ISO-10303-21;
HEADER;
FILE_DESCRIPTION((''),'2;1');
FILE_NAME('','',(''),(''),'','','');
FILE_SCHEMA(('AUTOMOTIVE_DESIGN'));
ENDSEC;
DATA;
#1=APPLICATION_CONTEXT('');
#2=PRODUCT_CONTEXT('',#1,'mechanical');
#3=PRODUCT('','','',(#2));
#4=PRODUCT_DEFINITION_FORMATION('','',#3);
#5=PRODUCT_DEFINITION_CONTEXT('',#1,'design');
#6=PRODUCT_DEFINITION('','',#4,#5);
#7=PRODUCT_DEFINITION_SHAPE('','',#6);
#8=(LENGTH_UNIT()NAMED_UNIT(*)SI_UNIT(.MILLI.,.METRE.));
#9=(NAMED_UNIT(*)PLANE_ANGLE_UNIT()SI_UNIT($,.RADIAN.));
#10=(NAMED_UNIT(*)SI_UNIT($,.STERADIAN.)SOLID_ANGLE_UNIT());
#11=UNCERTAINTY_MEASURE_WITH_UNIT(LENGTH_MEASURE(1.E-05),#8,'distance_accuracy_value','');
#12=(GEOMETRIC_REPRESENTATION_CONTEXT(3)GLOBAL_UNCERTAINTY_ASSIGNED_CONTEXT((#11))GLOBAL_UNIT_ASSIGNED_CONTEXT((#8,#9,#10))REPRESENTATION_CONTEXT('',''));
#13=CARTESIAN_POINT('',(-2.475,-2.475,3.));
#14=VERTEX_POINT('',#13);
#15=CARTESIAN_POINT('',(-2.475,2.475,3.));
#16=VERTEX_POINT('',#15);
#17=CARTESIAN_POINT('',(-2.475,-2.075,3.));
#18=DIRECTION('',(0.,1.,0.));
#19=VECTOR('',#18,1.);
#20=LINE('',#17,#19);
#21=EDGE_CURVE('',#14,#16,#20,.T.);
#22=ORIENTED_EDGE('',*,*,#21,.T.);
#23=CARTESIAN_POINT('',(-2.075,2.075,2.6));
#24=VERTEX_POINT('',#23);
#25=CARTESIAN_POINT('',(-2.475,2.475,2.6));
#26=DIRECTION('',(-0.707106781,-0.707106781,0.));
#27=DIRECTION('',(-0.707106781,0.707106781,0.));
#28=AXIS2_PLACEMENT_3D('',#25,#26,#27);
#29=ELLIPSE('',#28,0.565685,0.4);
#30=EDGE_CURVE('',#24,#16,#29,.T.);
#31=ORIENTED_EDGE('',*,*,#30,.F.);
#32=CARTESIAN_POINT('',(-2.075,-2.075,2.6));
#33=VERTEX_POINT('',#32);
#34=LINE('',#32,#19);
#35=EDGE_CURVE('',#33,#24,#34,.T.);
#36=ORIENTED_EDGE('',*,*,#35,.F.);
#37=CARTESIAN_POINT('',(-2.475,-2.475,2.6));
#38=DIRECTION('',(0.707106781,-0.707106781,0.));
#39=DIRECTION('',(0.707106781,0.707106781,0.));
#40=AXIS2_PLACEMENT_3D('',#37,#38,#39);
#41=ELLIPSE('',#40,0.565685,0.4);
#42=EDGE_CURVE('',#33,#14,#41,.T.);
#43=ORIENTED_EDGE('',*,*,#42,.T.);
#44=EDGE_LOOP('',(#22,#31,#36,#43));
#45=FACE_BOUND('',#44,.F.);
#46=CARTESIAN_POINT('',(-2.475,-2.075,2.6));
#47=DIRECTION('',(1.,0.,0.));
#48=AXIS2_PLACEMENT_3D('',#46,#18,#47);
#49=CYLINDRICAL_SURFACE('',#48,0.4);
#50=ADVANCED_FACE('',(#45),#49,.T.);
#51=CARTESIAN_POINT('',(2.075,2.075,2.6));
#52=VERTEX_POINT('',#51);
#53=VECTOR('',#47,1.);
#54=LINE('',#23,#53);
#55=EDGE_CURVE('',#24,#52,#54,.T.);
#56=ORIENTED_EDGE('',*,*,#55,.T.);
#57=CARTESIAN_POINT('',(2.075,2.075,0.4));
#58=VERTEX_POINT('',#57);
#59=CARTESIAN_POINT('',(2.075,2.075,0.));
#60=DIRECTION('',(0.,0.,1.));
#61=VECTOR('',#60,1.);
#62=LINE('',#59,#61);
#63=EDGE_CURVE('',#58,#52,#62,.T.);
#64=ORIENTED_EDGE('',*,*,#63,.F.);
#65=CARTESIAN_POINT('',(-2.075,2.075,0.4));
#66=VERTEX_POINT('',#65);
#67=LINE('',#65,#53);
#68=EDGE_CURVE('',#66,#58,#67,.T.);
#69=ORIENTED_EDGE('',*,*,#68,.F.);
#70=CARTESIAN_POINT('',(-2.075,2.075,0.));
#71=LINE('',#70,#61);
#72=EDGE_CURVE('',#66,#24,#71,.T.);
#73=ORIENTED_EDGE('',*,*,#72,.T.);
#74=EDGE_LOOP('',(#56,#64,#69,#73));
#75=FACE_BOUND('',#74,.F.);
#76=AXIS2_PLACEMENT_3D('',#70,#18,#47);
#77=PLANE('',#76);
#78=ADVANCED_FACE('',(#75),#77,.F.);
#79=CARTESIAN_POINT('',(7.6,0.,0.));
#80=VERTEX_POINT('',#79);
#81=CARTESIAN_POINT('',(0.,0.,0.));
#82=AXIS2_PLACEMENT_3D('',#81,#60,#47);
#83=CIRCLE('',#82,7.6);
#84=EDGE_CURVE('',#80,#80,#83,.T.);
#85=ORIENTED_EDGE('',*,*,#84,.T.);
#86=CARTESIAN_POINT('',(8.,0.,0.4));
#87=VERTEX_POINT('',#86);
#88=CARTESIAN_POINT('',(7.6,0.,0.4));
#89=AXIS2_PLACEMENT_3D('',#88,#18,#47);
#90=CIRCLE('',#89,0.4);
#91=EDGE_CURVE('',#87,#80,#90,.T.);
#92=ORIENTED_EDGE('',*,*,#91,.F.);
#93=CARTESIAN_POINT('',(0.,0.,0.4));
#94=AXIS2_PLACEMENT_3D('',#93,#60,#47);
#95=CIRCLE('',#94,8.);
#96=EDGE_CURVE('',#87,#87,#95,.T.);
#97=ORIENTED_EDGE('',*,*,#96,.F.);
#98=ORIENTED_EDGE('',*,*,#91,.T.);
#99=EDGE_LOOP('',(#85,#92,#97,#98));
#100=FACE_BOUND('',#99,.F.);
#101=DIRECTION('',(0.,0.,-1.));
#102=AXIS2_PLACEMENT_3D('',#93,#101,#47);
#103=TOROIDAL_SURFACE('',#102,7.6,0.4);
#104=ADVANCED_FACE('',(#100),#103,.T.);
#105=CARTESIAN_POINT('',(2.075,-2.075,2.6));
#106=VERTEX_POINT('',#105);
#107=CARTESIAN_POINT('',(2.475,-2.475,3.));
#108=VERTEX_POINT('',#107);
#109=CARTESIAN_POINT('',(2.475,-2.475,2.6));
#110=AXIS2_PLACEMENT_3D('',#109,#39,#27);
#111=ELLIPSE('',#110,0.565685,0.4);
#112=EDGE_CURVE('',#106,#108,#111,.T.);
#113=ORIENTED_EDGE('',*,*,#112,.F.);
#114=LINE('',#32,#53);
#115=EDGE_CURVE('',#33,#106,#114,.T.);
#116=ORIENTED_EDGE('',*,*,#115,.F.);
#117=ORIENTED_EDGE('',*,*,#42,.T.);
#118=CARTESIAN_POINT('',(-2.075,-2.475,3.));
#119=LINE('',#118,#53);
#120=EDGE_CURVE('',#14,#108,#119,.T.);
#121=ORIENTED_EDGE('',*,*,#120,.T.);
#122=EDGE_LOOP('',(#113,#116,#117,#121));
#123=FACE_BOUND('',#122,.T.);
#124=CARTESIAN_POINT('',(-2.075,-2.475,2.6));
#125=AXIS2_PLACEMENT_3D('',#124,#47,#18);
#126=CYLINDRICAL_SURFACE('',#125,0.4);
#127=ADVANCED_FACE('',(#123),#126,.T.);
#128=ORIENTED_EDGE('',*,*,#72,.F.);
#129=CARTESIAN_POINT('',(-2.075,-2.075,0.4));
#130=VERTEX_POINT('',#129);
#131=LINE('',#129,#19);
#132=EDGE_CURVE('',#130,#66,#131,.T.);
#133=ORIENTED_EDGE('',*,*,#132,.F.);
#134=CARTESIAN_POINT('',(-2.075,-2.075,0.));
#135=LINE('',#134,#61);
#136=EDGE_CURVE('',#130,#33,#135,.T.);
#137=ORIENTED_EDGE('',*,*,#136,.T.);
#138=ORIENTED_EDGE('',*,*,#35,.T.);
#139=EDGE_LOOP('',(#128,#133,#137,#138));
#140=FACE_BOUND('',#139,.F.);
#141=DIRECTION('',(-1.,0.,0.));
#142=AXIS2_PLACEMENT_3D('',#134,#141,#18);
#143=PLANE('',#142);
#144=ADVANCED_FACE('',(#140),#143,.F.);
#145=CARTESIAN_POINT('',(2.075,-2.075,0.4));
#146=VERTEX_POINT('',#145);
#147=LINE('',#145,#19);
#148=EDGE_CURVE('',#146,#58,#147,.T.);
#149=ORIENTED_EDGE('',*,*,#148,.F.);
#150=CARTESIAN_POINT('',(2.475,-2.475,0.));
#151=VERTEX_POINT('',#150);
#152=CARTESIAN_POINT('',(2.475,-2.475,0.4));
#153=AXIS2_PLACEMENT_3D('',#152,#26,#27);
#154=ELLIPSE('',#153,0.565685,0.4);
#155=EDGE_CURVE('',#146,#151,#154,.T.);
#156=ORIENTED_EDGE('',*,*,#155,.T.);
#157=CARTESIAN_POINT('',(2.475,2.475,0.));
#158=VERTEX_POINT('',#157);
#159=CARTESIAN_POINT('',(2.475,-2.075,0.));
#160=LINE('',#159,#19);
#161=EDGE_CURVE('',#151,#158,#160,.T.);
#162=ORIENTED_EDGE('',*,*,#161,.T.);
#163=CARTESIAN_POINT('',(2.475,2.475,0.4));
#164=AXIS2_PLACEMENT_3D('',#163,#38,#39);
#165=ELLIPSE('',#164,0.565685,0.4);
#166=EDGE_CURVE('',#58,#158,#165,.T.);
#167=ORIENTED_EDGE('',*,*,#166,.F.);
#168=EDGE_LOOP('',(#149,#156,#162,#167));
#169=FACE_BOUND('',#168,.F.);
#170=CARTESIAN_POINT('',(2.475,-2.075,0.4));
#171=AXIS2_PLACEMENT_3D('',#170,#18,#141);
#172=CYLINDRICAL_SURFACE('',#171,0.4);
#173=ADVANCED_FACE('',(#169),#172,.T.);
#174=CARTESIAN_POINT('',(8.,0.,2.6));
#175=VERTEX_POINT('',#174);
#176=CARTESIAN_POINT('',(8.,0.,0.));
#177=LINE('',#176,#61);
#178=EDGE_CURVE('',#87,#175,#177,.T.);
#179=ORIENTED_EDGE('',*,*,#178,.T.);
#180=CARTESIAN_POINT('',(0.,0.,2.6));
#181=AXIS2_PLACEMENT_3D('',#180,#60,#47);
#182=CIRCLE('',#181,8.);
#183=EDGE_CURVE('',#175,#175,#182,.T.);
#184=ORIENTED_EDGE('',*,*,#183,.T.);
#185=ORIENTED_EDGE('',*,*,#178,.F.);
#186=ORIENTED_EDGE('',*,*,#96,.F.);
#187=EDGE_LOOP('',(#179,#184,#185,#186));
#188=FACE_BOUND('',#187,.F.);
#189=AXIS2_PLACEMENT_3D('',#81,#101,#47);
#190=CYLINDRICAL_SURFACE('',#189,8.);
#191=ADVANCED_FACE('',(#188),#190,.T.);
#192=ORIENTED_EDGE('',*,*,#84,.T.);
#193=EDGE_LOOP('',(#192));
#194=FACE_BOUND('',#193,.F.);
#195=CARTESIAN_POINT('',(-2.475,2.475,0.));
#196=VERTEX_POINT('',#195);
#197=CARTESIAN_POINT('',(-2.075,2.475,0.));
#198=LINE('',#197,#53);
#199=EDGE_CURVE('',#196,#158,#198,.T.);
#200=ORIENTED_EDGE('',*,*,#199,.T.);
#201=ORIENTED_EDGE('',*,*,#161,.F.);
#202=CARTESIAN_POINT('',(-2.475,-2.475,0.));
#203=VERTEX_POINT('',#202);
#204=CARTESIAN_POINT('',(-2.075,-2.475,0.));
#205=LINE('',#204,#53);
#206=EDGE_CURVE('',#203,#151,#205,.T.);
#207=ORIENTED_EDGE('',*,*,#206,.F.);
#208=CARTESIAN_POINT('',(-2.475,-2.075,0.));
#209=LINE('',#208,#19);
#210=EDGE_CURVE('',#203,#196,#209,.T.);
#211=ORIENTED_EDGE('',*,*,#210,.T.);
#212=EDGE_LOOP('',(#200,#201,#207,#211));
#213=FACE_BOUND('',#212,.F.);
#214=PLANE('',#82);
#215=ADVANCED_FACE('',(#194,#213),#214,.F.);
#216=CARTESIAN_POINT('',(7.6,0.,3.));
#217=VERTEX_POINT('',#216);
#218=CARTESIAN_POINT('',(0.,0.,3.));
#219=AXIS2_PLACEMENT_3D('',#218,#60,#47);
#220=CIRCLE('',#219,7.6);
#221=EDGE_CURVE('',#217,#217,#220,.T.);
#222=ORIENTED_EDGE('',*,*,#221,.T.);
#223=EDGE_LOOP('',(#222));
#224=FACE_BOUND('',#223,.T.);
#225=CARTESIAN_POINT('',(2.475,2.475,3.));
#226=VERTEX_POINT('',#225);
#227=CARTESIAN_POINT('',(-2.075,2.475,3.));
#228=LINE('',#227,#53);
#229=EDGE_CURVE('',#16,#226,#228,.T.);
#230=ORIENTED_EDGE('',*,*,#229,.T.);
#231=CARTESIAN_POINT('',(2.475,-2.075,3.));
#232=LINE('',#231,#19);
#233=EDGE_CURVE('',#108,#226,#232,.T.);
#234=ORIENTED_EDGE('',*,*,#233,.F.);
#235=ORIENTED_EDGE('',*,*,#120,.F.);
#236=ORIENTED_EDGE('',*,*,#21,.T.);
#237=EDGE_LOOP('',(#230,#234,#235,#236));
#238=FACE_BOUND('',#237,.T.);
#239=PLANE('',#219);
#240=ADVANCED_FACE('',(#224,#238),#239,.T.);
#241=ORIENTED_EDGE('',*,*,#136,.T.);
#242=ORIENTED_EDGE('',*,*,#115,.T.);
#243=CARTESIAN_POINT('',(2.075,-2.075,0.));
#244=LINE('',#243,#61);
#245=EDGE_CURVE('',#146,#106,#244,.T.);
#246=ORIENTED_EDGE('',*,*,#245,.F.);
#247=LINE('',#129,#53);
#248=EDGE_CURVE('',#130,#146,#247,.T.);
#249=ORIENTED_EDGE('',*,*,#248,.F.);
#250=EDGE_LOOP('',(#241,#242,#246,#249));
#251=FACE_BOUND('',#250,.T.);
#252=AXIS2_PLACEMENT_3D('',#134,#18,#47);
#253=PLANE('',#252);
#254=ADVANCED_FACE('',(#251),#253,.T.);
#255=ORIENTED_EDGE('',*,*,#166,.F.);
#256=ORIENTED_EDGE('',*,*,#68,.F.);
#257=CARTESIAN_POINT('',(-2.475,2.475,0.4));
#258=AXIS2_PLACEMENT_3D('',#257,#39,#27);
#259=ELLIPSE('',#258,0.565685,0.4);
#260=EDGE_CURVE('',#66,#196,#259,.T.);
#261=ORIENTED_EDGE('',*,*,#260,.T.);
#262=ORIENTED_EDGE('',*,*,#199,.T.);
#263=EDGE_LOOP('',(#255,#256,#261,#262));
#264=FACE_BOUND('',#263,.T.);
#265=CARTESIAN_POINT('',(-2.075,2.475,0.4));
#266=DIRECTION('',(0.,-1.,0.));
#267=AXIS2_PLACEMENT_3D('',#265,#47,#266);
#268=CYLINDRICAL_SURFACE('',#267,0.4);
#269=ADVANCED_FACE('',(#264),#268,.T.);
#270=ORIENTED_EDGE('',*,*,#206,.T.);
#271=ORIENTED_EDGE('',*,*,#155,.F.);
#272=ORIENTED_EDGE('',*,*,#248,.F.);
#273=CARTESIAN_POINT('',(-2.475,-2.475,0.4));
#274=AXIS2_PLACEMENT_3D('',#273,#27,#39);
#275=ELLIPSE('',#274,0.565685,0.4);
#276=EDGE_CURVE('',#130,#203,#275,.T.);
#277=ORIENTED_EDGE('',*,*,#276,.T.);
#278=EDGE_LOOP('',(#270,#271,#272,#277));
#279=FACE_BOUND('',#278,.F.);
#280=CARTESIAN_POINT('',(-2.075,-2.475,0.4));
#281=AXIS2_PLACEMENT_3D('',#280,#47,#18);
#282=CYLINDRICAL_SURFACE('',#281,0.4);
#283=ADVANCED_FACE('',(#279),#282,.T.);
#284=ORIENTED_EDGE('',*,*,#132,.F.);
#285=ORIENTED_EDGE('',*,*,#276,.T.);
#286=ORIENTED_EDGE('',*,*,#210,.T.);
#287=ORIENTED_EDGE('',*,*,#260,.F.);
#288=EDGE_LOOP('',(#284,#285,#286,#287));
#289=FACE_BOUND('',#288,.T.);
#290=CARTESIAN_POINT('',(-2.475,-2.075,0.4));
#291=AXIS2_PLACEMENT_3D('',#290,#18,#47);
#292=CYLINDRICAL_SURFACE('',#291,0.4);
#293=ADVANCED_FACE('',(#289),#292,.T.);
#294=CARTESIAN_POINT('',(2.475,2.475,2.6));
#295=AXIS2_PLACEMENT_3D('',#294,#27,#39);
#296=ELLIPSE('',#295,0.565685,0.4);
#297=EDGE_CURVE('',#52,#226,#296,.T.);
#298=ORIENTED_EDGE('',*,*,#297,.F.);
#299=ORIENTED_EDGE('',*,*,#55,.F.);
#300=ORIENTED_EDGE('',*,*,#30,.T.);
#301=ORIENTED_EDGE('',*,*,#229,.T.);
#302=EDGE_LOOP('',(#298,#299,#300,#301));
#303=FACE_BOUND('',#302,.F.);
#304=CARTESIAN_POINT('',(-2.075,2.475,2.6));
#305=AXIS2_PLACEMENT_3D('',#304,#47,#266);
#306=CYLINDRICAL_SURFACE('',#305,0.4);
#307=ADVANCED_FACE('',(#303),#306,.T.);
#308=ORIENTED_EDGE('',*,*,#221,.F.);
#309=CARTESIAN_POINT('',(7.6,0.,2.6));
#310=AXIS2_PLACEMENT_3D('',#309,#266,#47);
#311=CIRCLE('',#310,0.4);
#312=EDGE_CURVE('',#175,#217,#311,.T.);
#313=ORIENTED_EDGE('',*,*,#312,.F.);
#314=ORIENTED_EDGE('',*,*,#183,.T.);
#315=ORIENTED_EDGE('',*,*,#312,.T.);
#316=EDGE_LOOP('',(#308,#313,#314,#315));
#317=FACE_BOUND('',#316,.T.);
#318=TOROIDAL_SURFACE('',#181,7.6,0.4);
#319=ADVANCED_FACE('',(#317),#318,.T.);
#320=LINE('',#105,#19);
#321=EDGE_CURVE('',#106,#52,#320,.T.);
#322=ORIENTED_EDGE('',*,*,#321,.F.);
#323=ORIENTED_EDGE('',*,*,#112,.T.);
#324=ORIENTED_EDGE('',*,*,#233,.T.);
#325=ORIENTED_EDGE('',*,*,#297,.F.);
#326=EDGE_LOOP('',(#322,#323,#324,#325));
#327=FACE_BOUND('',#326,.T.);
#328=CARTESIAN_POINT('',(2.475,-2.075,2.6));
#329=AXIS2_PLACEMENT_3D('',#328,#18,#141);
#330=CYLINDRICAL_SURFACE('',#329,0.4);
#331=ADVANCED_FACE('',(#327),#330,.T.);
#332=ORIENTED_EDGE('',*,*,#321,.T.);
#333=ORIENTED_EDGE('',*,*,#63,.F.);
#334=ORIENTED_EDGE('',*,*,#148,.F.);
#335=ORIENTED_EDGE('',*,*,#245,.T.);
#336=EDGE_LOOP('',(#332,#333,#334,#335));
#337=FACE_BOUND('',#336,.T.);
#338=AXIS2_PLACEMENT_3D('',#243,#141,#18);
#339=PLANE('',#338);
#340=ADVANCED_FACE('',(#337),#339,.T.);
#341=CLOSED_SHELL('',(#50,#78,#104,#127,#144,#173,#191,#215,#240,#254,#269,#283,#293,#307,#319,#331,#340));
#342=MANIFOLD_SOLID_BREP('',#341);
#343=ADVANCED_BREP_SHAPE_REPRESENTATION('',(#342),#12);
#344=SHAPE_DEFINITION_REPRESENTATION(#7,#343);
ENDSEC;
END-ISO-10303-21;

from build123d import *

# Parameters (mm, degrees)
F0_R     = 8
F0_W     = 4.15
F0_H     = 4.15
F1_DEPTH = 3
F2_R     = 0.4


with BuildPart() as f1:
    # F0 (on Top) → F1 (new body)
    with BuildSketch(Plane.XY):
        Circle(F0_R)
        Rectangle(F0_W, F0_H, mode=Mode.SUBTRACT)
    extrude(amount=F1_DEPTH)

    # F2
    f2_edges = [f1.edges().sort_by_distance(p)[0] for p in [
        (-8, 0, 3),
        (2.075, 0, 3),
        (0, -2.075, 3),
        (-2.075, 0, 3),
        (0, 2.075, 3),
        (-8, 0, 0),
        (2.075, 0, 0),
        (0, -2.075, 0),
        (-2.075, 0, 0),
        (0, 2.075, 0),
    ]]
    fillet(f2_edges, radius=F2_R)


solid = f1.part
